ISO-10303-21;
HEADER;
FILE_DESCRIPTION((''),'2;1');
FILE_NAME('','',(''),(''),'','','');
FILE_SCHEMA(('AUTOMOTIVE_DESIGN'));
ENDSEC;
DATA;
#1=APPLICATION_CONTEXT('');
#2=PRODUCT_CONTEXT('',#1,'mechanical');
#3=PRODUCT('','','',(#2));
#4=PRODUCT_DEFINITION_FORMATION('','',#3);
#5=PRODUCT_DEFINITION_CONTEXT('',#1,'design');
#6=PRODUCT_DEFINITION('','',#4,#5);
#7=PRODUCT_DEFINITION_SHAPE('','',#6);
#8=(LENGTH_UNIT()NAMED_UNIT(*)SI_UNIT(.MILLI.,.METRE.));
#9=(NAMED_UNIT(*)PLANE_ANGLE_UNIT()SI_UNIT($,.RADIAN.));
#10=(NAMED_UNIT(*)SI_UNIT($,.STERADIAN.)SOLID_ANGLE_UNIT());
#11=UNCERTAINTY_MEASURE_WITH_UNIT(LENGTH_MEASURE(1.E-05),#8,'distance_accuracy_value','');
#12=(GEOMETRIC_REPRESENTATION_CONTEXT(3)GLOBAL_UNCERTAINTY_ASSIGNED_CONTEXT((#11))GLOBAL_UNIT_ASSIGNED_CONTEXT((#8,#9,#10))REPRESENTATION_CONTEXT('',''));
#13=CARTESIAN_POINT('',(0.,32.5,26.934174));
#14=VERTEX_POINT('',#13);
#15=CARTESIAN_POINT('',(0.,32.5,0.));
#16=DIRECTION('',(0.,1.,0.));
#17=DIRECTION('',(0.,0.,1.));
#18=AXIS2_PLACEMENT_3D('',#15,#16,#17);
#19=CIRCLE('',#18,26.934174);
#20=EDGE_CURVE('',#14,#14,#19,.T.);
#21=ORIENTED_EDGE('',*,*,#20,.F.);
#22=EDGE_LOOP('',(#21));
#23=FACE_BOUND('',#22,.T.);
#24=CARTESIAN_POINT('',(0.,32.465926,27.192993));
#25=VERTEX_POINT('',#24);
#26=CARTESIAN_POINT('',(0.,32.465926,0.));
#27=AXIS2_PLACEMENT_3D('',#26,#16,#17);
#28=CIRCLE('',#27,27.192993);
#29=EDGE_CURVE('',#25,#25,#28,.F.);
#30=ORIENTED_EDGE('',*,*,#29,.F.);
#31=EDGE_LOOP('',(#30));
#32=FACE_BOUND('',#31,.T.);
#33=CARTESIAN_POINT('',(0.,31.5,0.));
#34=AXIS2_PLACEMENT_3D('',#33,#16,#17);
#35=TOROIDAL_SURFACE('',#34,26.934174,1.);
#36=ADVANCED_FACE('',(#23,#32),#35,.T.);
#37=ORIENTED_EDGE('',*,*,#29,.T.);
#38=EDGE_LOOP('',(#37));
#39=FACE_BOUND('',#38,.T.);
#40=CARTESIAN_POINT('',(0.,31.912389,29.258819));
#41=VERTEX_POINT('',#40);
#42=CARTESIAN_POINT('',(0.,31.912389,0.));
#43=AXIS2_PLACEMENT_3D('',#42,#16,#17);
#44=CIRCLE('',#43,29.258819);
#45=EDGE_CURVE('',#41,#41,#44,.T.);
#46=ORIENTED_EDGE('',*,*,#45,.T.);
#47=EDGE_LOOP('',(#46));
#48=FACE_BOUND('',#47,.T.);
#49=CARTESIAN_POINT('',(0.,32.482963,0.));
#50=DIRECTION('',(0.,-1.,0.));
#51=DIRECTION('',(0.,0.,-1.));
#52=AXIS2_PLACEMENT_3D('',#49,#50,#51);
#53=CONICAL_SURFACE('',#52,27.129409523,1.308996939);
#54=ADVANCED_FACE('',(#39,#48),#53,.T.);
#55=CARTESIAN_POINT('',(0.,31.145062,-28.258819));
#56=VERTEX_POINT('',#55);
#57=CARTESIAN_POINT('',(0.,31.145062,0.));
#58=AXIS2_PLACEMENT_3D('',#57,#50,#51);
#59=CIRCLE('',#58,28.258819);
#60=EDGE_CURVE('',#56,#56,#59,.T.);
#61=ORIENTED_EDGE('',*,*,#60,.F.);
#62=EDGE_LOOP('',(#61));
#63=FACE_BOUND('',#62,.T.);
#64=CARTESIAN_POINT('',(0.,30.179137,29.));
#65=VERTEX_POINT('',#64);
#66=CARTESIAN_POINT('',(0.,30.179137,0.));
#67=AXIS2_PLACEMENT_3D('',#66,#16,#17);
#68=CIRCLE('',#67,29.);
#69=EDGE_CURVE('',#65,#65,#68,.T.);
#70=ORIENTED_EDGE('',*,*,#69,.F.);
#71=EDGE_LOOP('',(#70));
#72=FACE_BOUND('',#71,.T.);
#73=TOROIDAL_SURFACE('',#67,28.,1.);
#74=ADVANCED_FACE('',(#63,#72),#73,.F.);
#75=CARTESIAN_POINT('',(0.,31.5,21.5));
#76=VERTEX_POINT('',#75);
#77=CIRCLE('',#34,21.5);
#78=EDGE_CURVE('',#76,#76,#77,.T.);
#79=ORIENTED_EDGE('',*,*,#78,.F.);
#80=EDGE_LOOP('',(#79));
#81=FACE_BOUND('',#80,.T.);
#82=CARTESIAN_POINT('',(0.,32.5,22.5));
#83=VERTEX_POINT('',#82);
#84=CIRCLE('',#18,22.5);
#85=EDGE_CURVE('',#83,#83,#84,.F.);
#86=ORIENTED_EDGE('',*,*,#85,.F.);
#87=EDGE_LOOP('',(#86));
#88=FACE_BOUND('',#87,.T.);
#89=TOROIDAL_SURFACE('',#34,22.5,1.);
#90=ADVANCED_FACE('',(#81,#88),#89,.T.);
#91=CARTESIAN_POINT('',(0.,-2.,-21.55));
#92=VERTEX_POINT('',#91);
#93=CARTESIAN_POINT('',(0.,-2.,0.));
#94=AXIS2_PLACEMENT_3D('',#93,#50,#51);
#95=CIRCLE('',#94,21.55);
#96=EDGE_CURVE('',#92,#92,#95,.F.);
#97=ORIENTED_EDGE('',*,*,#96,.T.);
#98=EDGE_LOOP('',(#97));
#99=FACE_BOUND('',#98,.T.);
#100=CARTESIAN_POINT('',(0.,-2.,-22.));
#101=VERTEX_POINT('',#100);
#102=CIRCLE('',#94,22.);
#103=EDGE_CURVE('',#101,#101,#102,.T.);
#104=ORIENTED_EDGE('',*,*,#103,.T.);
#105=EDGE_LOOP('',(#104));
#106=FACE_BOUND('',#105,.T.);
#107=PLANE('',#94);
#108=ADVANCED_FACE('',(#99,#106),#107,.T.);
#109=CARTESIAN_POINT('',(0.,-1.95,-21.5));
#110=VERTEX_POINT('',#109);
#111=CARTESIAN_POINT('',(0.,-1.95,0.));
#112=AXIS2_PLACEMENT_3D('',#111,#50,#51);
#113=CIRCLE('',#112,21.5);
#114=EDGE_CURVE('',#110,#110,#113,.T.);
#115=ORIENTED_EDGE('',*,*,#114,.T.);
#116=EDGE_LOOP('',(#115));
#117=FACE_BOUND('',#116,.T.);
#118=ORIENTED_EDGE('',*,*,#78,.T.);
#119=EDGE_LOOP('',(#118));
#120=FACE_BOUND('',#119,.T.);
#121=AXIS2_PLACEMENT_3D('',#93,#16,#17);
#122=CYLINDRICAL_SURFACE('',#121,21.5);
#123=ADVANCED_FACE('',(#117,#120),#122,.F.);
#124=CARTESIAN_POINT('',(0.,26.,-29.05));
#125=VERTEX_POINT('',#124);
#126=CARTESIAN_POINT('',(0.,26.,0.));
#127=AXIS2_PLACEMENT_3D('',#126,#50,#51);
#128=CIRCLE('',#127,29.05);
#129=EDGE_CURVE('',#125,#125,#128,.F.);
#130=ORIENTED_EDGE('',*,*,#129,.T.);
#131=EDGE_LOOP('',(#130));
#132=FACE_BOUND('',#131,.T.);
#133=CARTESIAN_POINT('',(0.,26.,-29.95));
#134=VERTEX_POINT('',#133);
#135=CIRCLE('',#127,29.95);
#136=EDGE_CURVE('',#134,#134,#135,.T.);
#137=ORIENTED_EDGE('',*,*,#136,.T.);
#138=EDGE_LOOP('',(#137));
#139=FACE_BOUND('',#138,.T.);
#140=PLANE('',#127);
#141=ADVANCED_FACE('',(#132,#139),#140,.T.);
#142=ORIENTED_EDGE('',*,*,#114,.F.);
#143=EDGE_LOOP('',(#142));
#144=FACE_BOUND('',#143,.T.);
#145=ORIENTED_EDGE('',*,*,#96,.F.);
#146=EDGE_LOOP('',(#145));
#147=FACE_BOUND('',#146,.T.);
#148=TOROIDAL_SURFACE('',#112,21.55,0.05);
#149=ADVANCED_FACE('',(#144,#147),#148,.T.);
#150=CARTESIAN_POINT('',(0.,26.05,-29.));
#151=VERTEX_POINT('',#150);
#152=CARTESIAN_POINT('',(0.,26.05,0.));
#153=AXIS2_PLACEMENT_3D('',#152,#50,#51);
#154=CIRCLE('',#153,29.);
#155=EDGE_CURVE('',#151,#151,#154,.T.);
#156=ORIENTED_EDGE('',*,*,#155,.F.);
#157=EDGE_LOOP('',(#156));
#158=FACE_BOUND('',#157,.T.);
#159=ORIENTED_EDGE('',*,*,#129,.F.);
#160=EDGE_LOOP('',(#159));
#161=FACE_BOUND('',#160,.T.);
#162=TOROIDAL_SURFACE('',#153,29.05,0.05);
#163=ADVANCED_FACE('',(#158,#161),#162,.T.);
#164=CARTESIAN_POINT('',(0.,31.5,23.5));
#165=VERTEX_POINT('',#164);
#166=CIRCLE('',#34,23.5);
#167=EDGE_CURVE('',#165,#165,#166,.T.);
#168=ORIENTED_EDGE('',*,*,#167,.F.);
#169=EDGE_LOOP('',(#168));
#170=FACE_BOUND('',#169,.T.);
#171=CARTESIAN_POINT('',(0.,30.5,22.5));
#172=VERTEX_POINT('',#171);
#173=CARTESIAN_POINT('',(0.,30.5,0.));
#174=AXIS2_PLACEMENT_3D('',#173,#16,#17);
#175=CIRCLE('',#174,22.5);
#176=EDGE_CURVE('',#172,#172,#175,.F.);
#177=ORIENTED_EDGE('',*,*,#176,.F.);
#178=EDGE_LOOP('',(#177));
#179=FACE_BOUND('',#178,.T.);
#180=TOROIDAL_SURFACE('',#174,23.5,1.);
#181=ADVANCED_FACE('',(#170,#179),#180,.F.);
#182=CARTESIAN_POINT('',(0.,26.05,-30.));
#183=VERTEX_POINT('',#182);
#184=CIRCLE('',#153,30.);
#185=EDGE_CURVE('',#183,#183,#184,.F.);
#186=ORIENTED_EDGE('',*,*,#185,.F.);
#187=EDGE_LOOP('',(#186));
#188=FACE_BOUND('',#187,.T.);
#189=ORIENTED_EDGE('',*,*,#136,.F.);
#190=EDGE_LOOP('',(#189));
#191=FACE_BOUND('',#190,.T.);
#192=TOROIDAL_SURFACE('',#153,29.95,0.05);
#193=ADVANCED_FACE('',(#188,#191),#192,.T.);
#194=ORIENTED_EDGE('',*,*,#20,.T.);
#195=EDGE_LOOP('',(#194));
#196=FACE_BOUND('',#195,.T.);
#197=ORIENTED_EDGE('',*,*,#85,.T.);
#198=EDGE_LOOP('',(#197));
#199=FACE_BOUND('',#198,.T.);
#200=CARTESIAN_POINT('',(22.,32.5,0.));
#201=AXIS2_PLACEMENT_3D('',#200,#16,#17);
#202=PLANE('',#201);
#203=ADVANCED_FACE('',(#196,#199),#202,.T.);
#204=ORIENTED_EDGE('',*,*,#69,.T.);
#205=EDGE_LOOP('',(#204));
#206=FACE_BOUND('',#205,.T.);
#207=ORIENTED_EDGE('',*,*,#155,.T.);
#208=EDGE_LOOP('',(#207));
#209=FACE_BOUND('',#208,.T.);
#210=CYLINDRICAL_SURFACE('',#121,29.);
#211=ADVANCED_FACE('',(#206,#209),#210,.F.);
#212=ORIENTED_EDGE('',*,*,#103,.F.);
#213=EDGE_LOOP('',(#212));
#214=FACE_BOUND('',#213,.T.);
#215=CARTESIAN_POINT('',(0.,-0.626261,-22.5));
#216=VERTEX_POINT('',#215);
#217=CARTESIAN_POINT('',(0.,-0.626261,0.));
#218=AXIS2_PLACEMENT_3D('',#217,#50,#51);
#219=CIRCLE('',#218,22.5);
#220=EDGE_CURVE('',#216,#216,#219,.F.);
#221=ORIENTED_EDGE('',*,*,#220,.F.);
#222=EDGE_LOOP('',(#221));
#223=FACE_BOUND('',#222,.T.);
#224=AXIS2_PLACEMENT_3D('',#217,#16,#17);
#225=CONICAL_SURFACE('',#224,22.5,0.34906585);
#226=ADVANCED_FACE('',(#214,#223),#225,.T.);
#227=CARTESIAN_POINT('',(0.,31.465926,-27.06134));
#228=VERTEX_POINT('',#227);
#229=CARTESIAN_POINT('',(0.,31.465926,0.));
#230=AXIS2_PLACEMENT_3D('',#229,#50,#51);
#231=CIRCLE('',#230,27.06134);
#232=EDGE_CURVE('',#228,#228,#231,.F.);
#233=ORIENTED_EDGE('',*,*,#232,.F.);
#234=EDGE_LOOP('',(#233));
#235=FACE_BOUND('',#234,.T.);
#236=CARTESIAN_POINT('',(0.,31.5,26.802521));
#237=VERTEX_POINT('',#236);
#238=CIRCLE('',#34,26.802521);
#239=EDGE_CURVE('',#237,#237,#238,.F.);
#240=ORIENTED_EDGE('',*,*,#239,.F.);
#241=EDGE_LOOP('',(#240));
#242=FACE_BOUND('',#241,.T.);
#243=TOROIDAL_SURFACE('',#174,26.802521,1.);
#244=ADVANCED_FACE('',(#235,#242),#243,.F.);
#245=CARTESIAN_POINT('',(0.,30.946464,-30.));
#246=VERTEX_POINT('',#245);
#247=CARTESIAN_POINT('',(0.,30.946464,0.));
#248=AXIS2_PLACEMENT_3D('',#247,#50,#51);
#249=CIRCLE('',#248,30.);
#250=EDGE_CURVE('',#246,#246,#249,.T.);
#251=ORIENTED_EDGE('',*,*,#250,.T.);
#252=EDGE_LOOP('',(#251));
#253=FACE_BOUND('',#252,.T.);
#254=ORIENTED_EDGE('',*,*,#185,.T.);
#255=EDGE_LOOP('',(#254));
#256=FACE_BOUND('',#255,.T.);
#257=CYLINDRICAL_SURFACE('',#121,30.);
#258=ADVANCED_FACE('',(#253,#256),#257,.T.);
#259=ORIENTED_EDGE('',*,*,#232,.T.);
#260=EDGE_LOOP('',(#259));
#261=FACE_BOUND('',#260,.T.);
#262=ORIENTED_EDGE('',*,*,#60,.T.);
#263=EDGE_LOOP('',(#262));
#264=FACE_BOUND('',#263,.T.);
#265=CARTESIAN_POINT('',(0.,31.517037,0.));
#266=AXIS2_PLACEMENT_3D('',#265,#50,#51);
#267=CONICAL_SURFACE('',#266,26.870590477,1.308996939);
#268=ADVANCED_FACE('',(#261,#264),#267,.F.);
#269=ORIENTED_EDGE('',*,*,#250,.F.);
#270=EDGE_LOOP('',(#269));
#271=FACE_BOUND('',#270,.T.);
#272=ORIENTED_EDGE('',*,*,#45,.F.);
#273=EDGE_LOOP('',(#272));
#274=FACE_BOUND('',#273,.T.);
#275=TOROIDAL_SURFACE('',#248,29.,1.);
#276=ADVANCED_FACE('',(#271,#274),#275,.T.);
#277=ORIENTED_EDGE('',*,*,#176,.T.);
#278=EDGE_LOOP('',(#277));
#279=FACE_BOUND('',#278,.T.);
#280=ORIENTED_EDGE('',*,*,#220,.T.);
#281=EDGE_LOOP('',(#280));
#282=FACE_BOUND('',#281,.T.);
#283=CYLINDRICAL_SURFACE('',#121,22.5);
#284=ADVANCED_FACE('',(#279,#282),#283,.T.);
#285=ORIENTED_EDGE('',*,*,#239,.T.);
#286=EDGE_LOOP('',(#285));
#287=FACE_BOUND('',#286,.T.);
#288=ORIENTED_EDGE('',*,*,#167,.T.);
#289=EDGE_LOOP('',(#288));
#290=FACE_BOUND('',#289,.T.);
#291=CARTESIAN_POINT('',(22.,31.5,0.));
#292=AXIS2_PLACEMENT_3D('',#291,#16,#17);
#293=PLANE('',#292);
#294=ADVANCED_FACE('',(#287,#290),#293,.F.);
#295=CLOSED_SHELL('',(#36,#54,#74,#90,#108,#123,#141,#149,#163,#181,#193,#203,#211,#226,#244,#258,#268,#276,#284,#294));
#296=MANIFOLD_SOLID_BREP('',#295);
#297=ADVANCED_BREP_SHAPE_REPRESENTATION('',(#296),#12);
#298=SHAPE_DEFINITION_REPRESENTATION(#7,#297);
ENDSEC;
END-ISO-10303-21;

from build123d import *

# Parameters (mm, degrees)
SPESSORE1_T1  = 0.5
SPESSORE1_T2  = 0.5
RACCORDO1_R   = 0.05
RACCORDO2_R   = 1
SMUSSO1_SIZE  = 1.37373871
SMUSSO1_SIZE2 = 0.5


with BuildPart() as body_1:
    # Superficie-Rivoluzione2: a surface, the sketch's curves turned about an axis
    with BuildLine(Plane.XY, mode=Mode.PRIVATE) as superficie_rivoluzione2_1_path:
        Line((22, -2), (22, 32))
        Line((22, 32), (27, 32))
        Line((27, 32), (29.5, 31.330127019))
        Line((29.5, 31.330127019), (29.5, 26))
    superficie_rivoluzione2_1 = Shell.revolve(superficie_rivoluzione2_1_path.wire(), 360, Axis((0, -2, 0), (0, 1, 0)))
    add(Solid.thicken(superficie_rivoluzione2_1, SPESSORE1_T1))
    add(Solid.thicken(superficie_rivoluzione2_1, -SPESSORE1_T2))

    # Raccordo1
    raccordo1_edges = [body_1.edges().sort_by_distance(p)[0] for p in [
        (-29, 26, 0),
        (-30, 26, 0),
        (-21.5, -2, 0),
    ]]
    fillet(raccordo1_edges, radius=RACCORDO1_R)

    # Raccordo2
    raccordo2_edges = [body_1.edges().sort_by_distance(p)[0] for p in [
        (-22.5, 31.5, 0),
        (-26.934173751, 31.5, 0),
        (-29, 30.946463525, 0),
        (-30, 31.713790513, 0),
        (-27.065826249, 32.5, 0),
        (-21.5, 32.5, 0),
    ]]
    fillet(raccordo2_edges, radius=RACCORDO2_R)

    # Smusso1
    smusso1_edges = [body_1.edges().sort_by_distance(p)[0] for p in [
        (-22.5, -2, 0),
    ]]
    smusso1_side = [body_1.faces().sort_by_distance(p)[0] for p in [
        (-22.5, 14.25, 0),
    ]]
    chamfer(smusso1_edges, length=SMUSSO1_SIZE, length2=SMUSSO1_SIZE2, reference=smusso1_side[0])


solid = body_1.part
